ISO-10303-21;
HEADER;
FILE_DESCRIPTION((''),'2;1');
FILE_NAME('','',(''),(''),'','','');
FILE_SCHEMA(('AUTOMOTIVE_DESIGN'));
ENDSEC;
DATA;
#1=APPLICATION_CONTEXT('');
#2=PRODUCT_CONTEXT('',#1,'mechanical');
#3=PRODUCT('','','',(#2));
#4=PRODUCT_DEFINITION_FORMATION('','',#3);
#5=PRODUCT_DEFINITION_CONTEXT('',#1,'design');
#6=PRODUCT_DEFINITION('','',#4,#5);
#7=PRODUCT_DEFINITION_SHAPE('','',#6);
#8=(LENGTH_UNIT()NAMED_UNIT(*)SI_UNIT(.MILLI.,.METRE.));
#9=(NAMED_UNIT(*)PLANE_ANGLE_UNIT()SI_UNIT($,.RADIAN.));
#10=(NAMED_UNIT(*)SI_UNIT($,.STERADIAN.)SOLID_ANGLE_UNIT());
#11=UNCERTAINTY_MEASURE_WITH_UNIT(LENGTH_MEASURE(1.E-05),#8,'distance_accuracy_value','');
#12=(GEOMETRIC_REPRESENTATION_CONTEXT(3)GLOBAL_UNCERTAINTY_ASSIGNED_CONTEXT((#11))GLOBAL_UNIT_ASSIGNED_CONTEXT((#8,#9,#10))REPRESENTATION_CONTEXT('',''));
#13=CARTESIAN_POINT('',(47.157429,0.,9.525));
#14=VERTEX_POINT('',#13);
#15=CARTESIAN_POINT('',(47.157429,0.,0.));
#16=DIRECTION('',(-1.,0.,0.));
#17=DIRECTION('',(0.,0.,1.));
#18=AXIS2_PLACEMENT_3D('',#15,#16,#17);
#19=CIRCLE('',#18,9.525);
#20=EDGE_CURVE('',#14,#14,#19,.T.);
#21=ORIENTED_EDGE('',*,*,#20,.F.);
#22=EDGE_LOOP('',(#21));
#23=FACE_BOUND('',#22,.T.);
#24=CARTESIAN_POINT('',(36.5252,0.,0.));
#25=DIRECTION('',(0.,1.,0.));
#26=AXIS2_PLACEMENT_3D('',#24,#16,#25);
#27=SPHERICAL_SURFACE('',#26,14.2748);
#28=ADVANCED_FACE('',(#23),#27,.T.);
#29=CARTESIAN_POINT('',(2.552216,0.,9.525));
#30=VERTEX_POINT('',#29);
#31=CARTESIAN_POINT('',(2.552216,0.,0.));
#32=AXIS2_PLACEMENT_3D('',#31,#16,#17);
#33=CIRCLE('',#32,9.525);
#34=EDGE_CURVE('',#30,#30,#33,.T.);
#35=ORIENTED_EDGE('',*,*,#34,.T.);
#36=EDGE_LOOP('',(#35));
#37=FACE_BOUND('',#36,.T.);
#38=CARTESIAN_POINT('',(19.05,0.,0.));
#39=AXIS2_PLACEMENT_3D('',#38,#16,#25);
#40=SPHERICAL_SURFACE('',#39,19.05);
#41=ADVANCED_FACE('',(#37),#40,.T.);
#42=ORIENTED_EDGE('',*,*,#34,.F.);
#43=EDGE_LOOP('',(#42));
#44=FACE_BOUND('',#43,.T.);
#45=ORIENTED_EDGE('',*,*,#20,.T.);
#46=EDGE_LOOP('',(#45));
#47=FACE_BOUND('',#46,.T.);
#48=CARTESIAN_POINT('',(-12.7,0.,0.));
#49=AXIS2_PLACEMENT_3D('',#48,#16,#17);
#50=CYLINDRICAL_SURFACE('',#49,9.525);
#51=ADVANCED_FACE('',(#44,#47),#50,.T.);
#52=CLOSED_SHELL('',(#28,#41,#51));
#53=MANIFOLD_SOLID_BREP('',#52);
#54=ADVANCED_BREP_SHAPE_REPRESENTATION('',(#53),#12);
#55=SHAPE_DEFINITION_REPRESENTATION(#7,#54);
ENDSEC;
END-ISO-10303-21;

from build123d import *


with BuildPart() as part:
    # BodySke → BaseBody (revolve)
    with BuildSketch(Plane.XY):
        with BuildLine():
            Line((2.552216058, 9.525), (47.157428837, 9.525))
            ThreePointArc((47.157428837, 9.525), (49.8582952, 5.098871191), (50.8, 0))
            Line((50.8, 0), (0, 0))
            ThreePointArc((0, 0), (0.649113009, 4.930502809), (2.552216058, 9.525))
        make_face()
    revolve(axis=Axis((-12.7, 0, 0), (1, 0, 0)))


solid = part.part
